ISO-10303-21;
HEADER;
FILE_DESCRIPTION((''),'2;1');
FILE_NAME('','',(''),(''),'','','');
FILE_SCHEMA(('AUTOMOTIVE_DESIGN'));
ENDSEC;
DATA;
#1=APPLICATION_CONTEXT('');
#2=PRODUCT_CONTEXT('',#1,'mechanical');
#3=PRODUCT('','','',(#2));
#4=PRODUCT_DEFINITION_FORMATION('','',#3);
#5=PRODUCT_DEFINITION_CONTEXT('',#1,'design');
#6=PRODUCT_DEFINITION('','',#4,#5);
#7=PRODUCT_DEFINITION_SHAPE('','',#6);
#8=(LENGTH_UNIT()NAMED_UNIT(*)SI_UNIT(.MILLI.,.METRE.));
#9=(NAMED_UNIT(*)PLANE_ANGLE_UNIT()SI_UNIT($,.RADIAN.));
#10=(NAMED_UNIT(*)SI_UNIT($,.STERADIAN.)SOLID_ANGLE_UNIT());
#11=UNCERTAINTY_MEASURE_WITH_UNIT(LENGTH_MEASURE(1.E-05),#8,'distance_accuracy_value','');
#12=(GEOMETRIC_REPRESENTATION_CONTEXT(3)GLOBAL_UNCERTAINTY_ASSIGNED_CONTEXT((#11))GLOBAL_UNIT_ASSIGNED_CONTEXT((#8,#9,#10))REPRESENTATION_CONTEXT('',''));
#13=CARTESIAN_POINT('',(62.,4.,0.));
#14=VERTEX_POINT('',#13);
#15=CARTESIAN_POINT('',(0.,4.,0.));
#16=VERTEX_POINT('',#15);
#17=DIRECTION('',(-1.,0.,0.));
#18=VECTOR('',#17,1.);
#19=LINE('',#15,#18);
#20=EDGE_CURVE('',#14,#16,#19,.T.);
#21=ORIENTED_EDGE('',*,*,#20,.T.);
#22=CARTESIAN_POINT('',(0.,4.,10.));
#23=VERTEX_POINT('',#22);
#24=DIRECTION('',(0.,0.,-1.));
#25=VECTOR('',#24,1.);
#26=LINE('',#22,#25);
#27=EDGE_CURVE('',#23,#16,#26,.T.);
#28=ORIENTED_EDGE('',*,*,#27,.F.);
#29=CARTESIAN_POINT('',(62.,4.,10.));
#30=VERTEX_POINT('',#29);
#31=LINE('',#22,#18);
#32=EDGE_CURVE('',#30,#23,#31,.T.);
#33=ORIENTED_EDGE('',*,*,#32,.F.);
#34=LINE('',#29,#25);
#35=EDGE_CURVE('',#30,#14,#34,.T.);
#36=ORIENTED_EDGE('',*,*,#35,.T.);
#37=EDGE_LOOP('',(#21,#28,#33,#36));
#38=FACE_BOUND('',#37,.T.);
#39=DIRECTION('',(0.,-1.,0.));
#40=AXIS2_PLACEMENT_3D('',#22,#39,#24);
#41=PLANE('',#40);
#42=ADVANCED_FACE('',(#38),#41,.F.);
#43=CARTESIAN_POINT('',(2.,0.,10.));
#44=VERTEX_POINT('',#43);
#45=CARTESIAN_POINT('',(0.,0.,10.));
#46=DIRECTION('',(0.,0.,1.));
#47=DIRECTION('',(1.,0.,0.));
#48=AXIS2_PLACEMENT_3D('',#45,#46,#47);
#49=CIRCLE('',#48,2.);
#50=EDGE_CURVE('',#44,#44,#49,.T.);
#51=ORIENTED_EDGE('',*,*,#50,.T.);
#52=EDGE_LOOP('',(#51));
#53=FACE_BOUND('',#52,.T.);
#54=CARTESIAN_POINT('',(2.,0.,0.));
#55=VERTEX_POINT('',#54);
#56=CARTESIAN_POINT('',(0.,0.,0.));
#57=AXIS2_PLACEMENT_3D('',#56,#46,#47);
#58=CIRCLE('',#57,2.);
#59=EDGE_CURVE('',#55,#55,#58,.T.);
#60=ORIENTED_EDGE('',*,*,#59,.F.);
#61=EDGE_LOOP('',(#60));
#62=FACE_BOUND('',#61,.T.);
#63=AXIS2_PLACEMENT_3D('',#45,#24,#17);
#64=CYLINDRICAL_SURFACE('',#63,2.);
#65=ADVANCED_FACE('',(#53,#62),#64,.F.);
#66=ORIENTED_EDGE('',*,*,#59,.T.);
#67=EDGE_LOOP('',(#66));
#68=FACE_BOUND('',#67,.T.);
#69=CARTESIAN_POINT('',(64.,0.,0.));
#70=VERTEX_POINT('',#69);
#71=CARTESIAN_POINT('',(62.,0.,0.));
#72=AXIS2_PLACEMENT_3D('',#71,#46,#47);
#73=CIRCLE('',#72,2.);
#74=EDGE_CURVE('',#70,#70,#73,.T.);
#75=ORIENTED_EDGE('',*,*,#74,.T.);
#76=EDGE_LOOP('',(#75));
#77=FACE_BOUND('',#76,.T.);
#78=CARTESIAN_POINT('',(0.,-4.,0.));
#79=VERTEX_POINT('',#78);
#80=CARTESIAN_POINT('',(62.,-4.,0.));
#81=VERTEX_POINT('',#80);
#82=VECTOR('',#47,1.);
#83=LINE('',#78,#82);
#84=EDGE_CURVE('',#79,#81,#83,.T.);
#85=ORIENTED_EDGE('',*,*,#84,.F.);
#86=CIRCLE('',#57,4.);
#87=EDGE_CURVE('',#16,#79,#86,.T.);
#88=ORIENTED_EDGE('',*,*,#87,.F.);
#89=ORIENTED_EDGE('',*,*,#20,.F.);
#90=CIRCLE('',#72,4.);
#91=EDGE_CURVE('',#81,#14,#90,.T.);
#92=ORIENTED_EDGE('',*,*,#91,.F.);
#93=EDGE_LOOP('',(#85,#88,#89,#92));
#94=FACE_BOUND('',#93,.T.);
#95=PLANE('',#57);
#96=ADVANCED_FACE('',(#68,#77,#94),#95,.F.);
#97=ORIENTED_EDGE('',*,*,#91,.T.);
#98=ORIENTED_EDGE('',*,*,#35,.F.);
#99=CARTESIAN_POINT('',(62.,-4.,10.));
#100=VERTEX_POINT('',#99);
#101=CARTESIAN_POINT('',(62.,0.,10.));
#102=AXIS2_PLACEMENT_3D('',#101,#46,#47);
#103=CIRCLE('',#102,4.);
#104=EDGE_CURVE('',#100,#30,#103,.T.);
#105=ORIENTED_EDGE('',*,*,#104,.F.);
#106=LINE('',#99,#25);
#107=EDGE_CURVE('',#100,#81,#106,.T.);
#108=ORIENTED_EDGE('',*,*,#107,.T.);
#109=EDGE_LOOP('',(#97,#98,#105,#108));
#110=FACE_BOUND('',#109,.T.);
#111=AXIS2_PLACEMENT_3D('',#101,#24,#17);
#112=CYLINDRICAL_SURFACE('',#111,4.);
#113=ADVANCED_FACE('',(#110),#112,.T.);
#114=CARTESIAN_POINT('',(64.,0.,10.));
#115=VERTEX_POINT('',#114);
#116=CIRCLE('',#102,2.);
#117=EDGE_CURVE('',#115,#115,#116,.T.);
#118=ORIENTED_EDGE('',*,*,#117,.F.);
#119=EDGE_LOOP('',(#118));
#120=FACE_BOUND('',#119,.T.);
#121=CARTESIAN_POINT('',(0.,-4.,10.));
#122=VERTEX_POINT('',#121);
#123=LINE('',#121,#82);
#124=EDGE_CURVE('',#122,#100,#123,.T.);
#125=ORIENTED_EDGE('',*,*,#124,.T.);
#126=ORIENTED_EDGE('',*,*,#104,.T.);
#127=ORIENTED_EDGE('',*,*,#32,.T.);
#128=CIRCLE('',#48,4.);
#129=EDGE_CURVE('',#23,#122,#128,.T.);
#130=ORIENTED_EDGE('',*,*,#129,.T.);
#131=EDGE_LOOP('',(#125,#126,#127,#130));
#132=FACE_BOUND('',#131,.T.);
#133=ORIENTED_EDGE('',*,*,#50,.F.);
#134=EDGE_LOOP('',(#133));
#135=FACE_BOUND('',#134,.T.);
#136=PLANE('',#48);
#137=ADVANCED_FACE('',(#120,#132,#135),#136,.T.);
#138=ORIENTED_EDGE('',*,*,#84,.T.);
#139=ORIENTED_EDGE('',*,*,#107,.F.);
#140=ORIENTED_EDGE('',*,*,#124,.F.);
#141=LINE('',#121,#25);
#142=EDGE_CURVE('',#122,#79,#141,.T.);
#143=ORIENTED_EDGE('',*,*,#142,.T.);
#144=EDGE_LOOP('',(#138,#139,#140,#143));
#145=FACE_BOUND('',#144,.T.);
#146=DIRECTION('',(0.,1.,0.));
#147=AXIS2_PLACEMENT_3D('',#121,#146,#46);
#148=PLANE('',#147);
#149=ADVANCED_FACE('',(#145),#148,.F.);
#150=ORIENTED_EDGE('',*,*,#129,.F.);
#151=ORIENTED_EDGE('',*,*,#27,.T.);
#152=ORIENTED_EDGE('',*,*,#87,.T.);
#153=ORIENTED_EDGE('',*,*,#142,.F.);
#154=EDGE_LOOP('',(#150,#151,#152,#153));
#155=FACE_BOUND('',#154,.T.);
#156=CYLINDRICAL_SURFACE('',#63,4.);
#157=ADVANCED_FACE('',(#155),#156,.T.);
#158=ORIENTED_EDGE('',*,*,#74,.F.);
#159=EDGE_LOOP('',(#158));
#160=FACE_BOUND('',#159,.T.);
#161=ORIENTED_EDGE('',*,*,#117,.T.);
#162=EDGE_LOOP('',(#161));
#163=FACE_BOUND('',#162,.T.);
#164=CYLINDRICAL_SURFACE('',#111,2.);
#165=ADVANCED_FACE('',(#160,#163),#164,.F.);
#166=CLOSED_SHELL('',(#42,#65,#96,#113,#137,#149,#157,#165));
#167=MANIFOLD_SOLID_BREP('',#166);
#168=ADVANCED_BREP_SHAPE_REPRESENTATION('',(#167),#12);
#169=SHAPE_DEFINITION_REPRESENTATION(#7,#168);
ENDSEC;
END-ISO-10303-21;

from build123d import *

# Parameters (mm, degrees)
CROQUIS1_R              = 2
SALIENTE_EXTRUIR1_DEPTH = 10


with BuildPart() as part:
    # Croquis1 → Saliente-Extruir1 (new body)
    with BuildSketch(Plane.XY):
        with BuildLine():
            Line((0, 4), (62, 4))
            ThreePointArc((62, 4), (66, 0), (62, -4))
            Line((62, -4), (0, -4))
            ThreePointArc((0, -4), (-4, 0), (0, 4))
        make_face()
        Circle(CROQUIS1_R, mode=Mode.SUBTRACT)
        with Locations((62, 0)):
            Circle(CROQUIS1_R, mode=Mode.SUBTRACT)
    extrude(amount=SALIENTE_EXTRUIR1_DEPTH)


solid = part.part
